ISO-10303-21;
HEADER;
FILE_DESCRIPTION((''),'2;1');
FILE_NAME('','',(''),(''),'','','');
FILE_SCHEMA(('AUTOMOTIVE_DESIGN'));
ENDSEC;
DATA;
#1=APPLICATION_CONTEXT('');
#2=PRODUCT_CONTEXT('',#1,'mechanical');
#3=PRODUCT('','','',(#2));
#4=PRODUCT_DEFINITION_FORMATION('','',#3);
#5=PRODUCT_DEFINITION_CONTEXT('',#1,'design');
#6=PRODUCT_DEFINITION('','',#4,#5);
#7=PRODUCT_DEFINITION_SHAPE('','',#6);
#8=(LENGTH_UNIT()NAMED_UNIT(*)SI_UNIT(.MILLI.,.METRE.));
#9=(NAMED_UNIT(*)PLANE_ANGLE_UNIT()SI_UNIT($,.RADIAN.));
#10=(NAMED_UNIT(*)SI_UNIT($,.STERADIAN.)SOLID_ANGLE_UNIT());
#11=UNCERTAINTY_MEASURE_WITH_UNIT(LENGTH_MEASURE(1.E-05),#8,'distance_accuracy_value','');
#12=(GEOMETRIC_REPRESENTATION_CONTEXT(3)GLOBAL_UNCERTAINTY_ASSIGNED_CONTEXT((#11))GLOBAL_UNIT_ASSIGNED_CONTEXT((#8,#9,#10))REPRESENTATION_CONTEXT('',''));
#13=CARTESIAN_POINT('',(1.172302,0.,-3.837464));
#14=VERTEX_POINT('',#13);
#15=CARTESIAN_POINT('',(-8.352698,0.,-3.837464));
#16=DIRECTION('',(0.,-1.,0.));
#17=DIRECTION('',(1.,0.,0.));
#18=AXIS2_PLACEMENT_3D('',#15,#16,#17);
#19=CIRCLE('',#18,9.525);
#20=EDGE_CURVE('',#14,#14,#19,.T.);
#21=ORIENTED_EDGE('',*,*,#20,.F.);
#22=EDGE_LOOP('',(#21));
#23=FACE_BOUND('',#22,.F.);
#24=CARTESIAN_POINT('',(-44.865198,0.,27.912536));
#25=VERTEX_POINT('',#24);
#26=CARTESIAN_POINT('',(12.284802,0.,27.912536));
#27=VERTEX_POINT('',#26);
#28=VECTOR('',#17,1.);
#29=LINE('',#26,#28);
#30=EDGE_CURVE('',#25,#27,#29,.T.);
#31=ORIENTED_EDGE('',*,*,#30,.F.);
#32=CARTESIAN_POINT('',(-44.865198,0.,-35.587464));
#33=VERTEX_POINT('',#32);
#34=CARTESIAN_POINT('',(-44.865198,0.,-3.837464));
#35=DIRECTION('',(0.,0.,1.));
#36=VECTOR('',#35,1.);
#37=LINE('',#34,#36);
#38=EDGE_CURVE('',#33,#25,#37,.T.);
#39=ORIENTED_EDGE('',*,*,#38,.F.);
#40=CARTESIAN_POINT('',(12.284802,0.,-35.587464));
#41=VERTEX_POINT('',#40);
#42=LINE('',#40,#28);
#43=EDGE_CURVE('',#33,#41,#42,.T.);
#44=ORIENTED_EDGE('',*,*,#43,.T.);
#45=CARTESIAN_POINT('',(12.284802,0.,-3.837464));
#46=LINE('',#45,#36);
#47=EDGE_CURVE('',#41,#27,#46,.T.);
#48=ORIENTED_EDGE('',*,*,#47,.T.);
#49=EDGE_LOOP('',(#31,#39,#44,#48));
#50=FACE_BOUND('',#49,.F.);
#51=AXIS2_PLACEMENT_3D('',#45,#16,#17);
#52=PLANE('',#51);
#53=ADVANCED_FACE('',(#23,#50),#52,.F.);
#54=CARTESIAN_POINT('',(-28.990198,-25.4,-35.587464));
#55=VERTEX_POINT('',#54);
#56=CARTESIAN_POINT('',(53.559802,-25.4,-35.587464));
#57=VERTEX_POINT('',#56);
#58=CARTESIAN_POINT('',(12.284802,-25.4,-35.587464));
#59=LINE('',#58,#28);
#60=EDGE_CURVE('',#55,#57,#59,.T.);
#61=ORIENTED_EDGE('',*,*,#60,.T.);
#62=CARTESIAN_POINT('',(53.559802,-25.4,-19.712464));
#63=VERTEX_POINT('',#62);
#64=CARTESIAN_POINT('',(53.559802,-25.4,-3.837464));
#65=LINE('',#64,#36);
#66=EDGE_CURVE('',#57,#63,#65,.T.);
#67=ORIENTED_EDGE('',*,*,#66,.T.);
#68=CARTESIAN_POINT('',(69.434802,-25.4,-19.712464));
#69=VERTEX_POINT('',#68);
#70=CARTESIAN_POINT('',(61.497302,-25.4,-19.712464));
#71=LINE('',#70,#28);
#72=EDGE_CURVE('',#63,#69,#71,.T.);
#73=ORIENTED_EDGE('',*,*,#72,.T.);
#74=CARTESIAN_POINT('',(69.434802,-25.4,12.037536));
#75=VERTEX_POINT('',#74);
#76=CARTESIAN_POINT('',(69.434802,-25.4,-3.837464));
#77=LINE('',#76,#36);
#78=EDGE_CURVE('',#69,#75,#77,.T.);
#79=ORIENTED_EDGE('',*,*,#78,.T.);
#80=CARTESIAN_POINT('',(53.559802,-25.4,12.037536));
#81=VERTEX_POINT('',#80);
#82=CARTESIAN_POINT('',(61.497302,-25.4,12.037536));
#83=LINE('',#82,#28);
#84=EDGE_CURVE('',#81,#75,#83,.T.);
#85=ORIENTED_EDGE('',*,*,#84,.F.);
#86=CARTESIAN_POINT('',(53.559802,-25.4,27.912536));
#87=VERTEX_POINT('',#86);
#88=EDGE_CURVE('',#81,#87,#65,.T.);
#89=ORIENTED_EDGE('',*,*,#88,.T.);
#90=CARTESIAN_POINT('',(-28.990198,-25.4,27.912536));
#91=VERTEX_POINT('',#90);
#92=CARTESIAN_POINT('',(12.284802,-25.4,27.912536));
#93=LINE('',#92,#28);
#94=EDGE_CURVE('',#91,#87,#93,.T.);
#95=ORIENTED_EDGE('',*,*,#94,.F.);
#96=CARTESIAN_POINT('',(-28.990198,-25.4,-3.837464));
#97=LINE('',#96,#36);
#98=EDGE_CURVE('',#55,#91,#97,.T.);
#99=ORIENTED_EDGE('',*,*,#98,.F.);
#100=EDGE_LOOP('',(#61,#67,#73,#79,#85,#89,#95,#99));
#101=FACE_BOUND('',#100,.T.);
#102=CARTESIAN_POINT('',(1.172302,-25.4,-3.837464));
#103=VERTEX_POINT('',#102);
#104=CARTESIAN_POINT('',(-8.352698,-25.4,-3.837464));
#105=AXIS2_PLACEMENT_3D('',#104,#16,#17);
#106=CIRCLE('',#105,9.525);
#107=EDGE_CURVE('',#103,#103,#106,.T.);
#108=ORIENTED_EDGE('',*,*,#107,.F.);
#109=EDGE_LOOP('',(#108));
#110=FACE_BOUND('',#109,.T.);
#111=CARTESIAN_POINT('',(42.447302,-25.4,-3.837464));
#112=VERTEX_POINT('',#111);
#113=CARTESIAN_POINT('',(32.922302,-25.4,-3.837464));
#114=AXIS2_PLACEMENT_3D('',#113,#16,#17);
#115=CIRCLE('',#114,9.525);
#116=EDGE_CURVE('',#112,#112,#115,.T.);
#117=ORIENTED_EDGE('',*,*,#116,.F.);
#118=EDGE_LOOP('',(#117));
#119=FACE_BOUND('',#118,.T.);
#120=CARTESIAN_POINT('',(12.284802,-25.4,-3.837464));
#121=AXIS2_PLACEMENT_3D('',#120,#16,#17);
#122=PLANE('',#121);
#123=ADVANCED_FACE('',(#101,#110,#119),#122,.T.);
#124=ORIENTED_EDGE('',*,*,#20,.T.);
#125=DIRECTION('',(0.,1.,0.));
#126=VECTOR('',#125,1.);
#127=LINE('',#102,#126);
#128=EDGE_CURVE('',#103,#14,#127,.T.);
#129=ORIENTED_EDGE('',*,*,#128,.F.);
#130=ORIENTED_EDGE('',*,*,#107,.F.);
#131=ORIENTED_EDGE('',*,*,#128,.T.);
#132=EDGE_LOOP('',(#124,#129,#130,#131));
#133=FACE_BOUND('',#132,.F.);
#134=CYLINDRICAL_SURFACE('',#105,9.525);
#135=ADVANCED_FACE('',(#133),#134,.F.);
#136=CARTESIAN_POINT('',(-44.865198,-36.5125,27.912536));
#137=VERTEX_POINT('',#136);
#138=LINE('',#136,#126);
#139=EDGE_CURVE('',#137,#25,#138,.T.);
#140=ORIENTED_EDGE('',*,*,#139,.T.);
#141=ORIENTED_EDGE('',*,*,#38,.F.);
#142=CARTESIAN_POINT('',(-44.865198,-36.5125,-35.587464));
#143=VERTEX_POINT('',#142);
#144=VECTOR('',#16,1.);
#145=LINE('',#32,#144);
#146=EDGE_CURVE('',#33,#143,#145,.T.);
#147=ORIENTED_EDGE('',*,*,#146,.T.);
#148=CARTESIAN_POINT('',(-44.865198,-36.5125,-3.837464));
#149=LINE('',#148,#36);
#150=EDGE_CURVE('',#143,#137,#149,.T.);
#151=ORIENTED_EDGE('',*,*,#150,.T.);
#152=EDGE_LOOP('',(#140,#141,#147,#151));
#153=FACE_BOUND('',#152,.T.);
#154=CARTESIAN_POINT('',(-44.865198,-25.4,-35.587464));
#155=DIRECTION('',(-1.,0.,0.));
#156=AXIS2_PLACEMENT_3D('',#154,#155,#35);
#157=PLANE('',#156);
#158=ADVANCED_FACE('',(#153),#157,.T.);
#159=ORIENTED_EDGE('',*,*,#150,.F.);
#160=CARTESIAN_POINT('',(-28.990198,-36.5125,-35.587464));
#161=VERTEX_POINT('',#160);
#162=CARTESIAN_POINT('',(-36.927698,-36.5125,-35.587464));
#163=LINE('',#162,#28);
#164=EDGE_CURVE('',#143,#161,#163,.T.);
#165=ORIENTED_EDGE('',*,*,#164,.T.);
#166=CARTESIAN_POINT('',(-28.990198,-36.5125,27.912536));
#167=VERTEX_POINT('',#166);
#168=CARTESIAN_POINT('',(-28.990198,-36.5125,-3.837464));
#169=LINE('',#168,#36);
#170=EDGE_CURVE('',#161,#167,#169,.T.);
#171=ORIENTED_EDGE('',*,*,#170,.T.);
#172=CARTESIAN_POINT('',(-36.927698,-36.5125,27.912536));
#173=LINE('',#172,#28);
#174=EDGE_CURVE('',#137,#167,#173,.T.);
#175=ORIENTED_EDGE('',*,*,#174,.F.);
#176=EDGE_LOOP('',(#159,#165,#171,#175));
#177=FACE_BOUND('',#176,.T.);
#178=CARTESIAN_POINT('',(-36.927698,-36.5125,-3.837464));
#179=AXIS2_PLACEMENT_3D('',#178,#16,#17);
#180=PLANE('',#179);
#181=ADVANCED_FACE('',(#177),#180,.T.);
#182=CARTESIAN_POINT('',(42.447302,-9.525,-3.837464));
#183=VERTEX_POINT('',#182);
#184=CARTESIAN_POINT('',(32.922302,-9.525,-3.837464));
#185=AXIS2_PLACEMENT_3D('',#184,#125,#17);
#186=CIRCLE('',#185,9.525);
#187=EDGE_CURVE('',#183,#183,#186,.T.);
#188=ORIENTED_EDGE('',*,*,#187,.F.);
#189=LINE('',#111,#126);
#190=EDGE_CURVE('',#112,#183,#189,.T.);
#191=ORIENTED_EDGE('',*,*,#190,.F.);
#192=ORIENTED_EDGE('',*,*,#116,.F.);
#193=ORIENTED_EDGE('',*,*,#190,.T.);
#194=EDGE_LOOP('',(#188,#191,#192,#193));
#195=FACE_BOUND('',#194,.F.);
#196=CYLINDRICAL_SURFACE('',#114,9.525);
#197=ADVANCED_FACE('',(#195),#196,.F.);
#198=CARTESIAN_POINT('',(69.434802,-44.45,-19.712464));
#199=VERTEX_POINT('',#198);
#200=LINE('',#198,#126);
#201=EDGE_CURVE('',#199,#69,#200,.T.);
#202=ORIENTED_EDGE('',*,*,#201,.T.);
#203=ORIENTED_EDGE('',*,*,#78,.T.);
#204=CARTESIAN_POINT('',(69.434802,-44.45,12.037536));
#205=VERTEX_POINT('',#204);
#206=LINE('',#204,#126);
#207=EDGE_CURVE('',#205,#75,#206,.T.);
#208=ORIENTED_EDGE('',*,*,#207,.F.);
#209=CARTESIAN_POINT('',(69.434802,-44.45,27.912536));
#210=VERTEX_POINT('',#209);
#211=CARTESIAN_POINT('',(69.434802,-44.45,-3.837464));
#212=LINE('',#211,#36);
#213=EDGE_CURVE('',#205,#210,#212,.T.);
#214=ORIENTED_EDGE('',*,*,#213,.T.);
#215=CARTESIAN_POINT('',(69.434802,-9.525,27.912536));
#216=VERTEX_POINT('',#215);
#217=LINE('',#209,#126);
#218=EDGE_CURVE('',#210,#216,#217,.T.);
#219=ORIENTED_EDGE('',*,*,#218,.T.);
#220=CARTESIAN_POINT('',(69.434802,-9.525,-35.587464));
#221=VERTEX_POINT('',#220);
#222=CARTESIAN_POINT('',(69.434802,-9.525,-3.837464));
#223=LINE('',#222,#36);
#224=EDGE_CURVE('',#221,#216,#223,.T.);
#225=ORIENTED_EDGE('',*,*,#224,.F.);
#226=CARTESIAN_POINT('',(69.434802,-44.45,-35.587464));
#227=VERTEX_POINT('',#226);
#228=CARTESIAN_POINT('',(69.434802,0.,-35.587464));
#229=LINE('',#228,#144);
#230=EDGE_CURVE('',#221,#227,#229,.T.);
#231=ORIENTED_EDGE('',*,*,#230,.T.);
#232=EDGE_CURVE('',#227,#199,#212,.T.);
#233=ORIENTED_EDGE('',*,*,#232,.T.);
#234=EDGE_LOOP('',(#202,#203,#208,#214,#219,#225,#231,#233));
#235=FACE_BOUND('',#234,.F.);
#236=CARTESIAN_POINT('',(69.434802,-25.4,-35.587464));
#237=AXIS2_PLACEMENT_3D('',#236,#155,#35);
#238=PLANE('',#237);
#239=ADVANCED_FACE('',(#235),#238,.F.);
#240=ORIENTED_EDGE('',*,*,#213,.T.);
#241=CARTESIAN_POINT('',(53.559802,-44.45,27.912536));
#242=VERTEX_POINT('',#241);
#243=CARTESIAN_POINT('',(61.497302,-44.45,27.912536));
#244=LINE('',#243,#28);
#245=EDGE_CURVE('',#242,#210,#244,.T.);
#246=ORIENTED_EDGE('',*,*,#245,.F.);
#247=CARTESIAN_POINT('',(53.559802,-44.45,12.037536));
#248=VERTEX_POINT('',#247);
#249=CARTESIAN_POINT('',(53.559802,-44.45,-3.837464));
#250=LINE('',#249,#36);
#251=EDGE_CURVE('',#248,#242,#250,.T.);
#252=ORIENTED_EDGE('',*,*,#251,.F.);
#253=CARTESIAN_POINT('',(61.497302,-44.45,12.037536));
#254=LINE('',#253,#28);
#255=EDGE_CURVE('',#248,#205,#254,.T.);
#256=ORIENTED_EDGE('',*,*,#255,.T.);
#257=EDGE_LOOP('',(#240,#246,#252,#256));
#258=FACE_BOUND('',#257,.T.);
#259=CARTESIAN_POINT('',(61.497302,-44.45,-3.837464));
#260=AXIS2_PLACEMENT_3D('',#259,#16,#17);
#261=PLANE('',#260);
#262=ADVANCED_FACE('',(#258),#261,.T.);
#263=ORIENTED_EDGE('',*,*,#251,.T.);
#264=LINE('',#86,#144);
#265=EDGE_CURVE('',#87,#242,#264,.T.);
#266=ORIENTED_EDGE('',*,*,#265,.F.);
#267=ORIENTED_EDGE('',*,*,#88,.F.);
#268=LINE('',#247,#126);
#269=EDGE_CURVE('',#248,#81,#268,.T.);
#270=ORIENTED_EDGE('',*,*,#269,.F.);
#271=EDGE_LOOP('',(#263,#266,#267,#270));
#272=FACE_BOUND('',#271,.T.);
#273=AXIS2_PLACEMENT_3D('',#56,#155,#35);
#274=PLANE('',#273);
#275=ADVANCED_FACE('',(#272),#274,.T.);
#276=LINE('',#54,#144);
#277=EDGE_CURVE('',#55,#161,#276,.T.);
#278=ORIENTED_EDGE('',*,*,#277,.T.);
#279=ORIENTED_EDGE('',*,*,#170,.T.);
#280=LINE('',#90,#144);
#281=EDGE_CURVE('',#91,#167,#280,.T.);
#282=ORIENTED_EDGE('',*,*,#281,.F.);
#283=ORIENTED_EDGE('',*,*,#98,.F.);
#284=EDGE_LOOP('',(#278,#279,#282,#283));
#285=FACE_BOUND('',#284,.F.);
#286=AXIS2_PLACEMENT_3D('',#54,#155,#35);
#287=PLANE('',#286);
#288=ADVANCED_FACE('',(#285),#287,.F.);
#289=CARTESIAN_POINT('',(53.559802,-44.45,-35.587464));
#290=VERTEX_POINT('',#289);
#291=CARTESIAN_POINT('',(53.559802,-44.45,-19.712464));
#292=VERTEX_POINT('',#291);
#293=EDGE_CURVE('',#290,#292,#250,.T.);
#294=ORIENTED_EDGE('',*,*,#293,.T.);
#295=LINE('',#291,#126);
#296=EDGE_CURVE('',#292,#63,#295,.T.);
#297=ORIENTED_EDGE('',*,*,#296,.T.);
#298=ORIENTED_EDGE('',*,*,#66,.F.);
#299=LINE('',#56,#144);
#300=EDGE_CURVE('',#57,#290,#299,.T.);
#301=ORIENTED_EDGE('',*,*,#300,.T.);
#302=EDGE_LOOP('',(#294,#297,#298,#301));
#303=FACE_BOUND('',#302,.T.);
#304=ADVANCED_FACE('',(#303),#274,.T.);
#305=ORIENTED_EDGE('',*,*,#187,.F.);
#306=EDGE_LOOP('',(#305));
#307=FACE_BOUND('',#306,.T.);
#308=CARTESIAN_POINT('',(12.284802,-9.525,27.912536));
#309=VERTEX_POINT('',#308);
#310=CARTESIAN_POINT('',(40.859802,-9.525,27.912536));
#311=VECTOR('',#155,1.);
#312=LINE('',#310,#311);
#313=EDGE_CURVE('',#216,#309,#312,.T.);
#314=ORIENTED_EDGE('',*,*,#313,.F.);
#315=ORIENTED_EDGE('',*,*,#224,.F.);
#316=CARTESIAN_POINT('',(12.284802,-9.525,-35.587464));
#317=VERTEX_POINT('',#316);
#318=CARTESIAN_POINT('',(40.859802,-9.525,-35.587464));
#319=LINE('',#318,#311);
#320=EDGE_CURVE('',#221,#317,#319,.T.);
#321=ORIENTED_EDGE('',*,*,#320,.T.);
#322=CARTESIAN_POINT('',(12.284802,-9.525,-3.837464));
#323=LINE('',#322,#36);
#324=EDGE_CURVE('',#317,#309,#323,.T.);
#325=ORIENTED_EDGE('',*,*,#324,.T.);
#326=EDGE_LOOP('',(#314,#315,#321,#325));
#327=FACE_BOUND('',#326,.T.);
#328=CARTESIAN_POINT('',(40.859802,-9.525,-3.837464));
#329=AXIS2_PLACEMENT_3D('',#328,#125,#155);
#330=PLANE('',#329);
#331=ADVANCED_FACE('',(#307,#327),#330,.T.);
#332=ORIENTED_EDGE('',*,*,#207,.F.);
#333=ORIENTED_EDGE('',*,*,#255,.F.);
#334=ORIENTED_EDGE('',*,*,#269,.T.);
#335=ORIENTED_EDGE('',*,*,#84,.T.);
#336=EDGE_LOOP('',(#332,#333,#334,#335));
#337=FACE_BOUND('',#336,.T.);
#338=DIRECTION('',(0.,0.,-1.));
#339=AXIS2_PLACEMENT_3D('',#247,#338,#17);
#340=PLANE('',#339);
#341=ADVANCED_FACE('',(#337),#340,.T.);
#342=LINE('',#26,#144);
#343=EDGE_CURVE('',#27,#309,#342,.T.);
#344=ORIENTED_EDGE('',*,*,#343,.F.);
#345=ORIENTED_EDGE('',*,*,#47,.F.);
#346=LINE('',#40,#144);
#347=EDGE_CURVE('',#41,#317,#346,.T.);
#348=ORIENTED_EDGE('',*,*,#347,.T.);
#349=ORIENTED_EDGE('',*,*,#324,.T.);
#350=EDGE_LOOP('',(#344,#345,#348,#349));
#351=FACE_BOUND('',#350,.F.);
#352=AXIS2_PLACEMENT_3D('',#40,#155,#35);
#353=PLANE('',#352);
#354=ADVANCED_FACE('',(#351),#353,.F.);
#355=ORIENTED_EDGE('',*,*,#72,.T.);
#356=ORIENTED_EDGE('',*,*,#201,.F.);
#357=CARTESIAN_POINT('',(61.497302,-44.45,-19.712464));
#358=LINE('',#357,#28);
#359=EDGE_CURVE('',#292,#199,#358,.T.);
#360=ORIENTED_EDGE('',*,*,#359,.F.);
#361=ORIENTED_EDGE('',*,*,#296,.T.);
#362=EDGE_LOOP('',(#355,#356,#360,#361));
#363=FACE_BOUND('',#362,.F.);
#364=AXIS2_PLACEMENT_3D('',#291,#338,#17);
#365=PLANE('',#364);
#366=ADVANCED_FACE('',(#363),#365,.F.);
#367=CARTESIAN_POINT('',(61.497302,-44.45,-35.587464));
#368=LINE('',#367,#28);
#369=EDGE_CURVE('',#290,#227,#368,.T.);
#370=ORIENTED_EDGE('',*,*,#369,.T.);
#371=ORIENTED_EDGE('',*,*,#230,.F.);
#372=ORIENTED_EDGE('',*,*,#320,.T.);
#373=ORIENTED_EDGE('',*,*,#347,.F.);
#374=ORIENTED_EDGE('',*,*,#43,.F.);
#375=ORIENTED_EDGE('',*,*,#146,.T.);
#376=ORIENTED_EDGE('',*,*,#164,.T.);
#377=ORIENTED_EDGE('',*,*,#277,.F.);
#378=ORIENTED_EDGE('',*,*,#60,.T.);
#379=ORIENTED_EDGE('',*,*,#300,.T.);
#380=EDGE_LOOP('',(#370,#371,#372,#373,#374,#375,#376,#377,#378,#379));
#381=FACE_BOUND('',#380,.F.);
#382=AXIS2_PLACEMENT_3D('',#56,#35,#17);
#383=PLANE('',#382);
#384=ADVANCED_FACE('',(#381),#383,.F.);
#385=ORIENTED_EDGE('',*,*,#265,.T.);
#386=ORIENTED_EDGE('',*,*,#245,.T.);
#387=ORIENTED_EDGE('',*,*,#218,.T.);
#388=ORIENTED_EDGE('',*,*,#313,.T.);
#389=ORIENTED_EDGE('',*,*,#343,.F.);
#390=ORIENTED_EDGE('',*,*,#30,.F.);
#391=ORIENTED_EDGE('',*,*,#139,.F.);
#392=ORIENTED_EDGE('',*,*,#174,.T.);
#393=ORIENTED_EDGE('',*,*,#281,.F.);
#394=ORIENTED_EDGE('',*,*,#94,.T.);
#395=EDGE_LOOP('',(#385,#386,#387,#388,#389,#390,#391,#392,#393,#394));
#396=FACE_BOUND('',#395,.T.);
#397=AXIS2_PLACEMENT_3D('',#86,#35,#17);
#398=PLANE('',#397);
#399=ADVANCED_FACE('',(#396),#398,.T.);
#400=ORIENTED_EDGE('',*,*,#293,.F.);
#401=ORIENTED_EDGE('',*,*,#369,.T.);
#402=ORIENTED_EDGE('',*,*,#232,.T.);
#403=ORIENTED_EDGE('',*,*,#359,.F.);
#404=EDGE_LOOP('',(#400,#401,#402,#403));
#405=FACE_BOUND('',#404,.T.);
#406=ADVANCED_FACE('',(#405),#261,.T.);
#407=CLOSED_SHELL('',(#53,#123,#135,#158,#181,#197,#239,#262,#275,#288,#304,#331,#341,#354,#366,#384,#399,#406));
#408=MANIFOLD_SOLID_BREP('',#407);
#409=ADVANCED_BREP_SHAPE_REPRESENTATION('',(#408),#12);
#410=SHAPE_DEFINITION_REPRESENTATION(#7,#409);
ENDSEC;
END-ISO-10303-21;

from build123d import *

# Parameters (mm, degrees)
F0_W      = 114.3
F0_H      = 63.5
F1_DEPTH  = 25.4
F2_W      = 15.875
F2_H      = 63.5
F3_DEPTH  = 11.1125
F4_R      = 9.525
F5_DEPTH  = 25.4
F6_R      = 9.525
F7_DEPTH  = 25.4
F8_W      = 15.875
F8_H      = 63.5
F9_DEPTH  = 19.05
F10_W     = 15.875
F10_H     = 31.75
F11_DEPTH = 19.05
F12_W     = 57.15
F12_H     = 63.5
F12_R     = 9.525
F13_DEPTH = 9.525


with BuildPart() as f1:
    # F0 (on Front) → F1 (new body)
    with BuildSketch(Plane.XZ):
        with Locations((12.284802, -3.837464)):
            Rectangle(F0_W, F0_H)
    extrude(amount=F1_DEPTH)

    # F2 (on face) → F3 (join)
    with BuildSketch(Plane.XZ.offset(25.4)):
        with Locations((-36.927698, -3.837464)):
            Rectangle(F2_W, F2_H)
    extrude(amount=F3_DEPTH)

    # F4 (on face) → F5 (cut)
    with BuildSketch(Plane.XZ.offset(25.4)):
        with Locations((-8.352698, -3.837464)):
            Circle(F4_R)
    extrude(amount=-F5_DEPTH, mode=Mode.SUBTRACT)

    # F6 (on face) → F7 (cut)
    with BuildSketch(Plane.XZ.offset(25.4)):
        with Locations((32.922302, -3.837464)):
            Circle(F6_R)
    extrude(amount=-F7_DEPTH, mode=Mode.SUBTRACT)

    # F8 (on face) → F9 (join)
    with BuildSketch(Plane.XZ.offset(25.4)):
        with Locations((61.497302, -3.837464)):
            Rectangle(F8_W, F8_H)
    extrude(amount=F9_DEPTH)

    # F10 (on face) → F11 (cut)
    with BuildSketch(Plane.XZ.offset(44.45)):
        with Locations((61.497302, -3.837464)):
            Rectangle(F10_W, F10_H)
    extrude(amount=-F11_DEPTH, mode=Mode.SUBTRACT)

    # F12 (on face) → F13 (cut)
    with BuildSketch(Plane(origin=(0, 0, 0), x_dir=(-1, 0, 0), z_dir=(0, 1, 0))):
        with Locations((-40.859802, -3.837464)):
            Rectangle(F12_W, F12_H)
        with Locations((-32.922302, -3.837464)):
            Circle(F12_R, mode=Mode.SUBTRACT)
    extrude(amount=-F13_DEPTH, mode=Mode.SUBTRACT)


solid = f1.part
